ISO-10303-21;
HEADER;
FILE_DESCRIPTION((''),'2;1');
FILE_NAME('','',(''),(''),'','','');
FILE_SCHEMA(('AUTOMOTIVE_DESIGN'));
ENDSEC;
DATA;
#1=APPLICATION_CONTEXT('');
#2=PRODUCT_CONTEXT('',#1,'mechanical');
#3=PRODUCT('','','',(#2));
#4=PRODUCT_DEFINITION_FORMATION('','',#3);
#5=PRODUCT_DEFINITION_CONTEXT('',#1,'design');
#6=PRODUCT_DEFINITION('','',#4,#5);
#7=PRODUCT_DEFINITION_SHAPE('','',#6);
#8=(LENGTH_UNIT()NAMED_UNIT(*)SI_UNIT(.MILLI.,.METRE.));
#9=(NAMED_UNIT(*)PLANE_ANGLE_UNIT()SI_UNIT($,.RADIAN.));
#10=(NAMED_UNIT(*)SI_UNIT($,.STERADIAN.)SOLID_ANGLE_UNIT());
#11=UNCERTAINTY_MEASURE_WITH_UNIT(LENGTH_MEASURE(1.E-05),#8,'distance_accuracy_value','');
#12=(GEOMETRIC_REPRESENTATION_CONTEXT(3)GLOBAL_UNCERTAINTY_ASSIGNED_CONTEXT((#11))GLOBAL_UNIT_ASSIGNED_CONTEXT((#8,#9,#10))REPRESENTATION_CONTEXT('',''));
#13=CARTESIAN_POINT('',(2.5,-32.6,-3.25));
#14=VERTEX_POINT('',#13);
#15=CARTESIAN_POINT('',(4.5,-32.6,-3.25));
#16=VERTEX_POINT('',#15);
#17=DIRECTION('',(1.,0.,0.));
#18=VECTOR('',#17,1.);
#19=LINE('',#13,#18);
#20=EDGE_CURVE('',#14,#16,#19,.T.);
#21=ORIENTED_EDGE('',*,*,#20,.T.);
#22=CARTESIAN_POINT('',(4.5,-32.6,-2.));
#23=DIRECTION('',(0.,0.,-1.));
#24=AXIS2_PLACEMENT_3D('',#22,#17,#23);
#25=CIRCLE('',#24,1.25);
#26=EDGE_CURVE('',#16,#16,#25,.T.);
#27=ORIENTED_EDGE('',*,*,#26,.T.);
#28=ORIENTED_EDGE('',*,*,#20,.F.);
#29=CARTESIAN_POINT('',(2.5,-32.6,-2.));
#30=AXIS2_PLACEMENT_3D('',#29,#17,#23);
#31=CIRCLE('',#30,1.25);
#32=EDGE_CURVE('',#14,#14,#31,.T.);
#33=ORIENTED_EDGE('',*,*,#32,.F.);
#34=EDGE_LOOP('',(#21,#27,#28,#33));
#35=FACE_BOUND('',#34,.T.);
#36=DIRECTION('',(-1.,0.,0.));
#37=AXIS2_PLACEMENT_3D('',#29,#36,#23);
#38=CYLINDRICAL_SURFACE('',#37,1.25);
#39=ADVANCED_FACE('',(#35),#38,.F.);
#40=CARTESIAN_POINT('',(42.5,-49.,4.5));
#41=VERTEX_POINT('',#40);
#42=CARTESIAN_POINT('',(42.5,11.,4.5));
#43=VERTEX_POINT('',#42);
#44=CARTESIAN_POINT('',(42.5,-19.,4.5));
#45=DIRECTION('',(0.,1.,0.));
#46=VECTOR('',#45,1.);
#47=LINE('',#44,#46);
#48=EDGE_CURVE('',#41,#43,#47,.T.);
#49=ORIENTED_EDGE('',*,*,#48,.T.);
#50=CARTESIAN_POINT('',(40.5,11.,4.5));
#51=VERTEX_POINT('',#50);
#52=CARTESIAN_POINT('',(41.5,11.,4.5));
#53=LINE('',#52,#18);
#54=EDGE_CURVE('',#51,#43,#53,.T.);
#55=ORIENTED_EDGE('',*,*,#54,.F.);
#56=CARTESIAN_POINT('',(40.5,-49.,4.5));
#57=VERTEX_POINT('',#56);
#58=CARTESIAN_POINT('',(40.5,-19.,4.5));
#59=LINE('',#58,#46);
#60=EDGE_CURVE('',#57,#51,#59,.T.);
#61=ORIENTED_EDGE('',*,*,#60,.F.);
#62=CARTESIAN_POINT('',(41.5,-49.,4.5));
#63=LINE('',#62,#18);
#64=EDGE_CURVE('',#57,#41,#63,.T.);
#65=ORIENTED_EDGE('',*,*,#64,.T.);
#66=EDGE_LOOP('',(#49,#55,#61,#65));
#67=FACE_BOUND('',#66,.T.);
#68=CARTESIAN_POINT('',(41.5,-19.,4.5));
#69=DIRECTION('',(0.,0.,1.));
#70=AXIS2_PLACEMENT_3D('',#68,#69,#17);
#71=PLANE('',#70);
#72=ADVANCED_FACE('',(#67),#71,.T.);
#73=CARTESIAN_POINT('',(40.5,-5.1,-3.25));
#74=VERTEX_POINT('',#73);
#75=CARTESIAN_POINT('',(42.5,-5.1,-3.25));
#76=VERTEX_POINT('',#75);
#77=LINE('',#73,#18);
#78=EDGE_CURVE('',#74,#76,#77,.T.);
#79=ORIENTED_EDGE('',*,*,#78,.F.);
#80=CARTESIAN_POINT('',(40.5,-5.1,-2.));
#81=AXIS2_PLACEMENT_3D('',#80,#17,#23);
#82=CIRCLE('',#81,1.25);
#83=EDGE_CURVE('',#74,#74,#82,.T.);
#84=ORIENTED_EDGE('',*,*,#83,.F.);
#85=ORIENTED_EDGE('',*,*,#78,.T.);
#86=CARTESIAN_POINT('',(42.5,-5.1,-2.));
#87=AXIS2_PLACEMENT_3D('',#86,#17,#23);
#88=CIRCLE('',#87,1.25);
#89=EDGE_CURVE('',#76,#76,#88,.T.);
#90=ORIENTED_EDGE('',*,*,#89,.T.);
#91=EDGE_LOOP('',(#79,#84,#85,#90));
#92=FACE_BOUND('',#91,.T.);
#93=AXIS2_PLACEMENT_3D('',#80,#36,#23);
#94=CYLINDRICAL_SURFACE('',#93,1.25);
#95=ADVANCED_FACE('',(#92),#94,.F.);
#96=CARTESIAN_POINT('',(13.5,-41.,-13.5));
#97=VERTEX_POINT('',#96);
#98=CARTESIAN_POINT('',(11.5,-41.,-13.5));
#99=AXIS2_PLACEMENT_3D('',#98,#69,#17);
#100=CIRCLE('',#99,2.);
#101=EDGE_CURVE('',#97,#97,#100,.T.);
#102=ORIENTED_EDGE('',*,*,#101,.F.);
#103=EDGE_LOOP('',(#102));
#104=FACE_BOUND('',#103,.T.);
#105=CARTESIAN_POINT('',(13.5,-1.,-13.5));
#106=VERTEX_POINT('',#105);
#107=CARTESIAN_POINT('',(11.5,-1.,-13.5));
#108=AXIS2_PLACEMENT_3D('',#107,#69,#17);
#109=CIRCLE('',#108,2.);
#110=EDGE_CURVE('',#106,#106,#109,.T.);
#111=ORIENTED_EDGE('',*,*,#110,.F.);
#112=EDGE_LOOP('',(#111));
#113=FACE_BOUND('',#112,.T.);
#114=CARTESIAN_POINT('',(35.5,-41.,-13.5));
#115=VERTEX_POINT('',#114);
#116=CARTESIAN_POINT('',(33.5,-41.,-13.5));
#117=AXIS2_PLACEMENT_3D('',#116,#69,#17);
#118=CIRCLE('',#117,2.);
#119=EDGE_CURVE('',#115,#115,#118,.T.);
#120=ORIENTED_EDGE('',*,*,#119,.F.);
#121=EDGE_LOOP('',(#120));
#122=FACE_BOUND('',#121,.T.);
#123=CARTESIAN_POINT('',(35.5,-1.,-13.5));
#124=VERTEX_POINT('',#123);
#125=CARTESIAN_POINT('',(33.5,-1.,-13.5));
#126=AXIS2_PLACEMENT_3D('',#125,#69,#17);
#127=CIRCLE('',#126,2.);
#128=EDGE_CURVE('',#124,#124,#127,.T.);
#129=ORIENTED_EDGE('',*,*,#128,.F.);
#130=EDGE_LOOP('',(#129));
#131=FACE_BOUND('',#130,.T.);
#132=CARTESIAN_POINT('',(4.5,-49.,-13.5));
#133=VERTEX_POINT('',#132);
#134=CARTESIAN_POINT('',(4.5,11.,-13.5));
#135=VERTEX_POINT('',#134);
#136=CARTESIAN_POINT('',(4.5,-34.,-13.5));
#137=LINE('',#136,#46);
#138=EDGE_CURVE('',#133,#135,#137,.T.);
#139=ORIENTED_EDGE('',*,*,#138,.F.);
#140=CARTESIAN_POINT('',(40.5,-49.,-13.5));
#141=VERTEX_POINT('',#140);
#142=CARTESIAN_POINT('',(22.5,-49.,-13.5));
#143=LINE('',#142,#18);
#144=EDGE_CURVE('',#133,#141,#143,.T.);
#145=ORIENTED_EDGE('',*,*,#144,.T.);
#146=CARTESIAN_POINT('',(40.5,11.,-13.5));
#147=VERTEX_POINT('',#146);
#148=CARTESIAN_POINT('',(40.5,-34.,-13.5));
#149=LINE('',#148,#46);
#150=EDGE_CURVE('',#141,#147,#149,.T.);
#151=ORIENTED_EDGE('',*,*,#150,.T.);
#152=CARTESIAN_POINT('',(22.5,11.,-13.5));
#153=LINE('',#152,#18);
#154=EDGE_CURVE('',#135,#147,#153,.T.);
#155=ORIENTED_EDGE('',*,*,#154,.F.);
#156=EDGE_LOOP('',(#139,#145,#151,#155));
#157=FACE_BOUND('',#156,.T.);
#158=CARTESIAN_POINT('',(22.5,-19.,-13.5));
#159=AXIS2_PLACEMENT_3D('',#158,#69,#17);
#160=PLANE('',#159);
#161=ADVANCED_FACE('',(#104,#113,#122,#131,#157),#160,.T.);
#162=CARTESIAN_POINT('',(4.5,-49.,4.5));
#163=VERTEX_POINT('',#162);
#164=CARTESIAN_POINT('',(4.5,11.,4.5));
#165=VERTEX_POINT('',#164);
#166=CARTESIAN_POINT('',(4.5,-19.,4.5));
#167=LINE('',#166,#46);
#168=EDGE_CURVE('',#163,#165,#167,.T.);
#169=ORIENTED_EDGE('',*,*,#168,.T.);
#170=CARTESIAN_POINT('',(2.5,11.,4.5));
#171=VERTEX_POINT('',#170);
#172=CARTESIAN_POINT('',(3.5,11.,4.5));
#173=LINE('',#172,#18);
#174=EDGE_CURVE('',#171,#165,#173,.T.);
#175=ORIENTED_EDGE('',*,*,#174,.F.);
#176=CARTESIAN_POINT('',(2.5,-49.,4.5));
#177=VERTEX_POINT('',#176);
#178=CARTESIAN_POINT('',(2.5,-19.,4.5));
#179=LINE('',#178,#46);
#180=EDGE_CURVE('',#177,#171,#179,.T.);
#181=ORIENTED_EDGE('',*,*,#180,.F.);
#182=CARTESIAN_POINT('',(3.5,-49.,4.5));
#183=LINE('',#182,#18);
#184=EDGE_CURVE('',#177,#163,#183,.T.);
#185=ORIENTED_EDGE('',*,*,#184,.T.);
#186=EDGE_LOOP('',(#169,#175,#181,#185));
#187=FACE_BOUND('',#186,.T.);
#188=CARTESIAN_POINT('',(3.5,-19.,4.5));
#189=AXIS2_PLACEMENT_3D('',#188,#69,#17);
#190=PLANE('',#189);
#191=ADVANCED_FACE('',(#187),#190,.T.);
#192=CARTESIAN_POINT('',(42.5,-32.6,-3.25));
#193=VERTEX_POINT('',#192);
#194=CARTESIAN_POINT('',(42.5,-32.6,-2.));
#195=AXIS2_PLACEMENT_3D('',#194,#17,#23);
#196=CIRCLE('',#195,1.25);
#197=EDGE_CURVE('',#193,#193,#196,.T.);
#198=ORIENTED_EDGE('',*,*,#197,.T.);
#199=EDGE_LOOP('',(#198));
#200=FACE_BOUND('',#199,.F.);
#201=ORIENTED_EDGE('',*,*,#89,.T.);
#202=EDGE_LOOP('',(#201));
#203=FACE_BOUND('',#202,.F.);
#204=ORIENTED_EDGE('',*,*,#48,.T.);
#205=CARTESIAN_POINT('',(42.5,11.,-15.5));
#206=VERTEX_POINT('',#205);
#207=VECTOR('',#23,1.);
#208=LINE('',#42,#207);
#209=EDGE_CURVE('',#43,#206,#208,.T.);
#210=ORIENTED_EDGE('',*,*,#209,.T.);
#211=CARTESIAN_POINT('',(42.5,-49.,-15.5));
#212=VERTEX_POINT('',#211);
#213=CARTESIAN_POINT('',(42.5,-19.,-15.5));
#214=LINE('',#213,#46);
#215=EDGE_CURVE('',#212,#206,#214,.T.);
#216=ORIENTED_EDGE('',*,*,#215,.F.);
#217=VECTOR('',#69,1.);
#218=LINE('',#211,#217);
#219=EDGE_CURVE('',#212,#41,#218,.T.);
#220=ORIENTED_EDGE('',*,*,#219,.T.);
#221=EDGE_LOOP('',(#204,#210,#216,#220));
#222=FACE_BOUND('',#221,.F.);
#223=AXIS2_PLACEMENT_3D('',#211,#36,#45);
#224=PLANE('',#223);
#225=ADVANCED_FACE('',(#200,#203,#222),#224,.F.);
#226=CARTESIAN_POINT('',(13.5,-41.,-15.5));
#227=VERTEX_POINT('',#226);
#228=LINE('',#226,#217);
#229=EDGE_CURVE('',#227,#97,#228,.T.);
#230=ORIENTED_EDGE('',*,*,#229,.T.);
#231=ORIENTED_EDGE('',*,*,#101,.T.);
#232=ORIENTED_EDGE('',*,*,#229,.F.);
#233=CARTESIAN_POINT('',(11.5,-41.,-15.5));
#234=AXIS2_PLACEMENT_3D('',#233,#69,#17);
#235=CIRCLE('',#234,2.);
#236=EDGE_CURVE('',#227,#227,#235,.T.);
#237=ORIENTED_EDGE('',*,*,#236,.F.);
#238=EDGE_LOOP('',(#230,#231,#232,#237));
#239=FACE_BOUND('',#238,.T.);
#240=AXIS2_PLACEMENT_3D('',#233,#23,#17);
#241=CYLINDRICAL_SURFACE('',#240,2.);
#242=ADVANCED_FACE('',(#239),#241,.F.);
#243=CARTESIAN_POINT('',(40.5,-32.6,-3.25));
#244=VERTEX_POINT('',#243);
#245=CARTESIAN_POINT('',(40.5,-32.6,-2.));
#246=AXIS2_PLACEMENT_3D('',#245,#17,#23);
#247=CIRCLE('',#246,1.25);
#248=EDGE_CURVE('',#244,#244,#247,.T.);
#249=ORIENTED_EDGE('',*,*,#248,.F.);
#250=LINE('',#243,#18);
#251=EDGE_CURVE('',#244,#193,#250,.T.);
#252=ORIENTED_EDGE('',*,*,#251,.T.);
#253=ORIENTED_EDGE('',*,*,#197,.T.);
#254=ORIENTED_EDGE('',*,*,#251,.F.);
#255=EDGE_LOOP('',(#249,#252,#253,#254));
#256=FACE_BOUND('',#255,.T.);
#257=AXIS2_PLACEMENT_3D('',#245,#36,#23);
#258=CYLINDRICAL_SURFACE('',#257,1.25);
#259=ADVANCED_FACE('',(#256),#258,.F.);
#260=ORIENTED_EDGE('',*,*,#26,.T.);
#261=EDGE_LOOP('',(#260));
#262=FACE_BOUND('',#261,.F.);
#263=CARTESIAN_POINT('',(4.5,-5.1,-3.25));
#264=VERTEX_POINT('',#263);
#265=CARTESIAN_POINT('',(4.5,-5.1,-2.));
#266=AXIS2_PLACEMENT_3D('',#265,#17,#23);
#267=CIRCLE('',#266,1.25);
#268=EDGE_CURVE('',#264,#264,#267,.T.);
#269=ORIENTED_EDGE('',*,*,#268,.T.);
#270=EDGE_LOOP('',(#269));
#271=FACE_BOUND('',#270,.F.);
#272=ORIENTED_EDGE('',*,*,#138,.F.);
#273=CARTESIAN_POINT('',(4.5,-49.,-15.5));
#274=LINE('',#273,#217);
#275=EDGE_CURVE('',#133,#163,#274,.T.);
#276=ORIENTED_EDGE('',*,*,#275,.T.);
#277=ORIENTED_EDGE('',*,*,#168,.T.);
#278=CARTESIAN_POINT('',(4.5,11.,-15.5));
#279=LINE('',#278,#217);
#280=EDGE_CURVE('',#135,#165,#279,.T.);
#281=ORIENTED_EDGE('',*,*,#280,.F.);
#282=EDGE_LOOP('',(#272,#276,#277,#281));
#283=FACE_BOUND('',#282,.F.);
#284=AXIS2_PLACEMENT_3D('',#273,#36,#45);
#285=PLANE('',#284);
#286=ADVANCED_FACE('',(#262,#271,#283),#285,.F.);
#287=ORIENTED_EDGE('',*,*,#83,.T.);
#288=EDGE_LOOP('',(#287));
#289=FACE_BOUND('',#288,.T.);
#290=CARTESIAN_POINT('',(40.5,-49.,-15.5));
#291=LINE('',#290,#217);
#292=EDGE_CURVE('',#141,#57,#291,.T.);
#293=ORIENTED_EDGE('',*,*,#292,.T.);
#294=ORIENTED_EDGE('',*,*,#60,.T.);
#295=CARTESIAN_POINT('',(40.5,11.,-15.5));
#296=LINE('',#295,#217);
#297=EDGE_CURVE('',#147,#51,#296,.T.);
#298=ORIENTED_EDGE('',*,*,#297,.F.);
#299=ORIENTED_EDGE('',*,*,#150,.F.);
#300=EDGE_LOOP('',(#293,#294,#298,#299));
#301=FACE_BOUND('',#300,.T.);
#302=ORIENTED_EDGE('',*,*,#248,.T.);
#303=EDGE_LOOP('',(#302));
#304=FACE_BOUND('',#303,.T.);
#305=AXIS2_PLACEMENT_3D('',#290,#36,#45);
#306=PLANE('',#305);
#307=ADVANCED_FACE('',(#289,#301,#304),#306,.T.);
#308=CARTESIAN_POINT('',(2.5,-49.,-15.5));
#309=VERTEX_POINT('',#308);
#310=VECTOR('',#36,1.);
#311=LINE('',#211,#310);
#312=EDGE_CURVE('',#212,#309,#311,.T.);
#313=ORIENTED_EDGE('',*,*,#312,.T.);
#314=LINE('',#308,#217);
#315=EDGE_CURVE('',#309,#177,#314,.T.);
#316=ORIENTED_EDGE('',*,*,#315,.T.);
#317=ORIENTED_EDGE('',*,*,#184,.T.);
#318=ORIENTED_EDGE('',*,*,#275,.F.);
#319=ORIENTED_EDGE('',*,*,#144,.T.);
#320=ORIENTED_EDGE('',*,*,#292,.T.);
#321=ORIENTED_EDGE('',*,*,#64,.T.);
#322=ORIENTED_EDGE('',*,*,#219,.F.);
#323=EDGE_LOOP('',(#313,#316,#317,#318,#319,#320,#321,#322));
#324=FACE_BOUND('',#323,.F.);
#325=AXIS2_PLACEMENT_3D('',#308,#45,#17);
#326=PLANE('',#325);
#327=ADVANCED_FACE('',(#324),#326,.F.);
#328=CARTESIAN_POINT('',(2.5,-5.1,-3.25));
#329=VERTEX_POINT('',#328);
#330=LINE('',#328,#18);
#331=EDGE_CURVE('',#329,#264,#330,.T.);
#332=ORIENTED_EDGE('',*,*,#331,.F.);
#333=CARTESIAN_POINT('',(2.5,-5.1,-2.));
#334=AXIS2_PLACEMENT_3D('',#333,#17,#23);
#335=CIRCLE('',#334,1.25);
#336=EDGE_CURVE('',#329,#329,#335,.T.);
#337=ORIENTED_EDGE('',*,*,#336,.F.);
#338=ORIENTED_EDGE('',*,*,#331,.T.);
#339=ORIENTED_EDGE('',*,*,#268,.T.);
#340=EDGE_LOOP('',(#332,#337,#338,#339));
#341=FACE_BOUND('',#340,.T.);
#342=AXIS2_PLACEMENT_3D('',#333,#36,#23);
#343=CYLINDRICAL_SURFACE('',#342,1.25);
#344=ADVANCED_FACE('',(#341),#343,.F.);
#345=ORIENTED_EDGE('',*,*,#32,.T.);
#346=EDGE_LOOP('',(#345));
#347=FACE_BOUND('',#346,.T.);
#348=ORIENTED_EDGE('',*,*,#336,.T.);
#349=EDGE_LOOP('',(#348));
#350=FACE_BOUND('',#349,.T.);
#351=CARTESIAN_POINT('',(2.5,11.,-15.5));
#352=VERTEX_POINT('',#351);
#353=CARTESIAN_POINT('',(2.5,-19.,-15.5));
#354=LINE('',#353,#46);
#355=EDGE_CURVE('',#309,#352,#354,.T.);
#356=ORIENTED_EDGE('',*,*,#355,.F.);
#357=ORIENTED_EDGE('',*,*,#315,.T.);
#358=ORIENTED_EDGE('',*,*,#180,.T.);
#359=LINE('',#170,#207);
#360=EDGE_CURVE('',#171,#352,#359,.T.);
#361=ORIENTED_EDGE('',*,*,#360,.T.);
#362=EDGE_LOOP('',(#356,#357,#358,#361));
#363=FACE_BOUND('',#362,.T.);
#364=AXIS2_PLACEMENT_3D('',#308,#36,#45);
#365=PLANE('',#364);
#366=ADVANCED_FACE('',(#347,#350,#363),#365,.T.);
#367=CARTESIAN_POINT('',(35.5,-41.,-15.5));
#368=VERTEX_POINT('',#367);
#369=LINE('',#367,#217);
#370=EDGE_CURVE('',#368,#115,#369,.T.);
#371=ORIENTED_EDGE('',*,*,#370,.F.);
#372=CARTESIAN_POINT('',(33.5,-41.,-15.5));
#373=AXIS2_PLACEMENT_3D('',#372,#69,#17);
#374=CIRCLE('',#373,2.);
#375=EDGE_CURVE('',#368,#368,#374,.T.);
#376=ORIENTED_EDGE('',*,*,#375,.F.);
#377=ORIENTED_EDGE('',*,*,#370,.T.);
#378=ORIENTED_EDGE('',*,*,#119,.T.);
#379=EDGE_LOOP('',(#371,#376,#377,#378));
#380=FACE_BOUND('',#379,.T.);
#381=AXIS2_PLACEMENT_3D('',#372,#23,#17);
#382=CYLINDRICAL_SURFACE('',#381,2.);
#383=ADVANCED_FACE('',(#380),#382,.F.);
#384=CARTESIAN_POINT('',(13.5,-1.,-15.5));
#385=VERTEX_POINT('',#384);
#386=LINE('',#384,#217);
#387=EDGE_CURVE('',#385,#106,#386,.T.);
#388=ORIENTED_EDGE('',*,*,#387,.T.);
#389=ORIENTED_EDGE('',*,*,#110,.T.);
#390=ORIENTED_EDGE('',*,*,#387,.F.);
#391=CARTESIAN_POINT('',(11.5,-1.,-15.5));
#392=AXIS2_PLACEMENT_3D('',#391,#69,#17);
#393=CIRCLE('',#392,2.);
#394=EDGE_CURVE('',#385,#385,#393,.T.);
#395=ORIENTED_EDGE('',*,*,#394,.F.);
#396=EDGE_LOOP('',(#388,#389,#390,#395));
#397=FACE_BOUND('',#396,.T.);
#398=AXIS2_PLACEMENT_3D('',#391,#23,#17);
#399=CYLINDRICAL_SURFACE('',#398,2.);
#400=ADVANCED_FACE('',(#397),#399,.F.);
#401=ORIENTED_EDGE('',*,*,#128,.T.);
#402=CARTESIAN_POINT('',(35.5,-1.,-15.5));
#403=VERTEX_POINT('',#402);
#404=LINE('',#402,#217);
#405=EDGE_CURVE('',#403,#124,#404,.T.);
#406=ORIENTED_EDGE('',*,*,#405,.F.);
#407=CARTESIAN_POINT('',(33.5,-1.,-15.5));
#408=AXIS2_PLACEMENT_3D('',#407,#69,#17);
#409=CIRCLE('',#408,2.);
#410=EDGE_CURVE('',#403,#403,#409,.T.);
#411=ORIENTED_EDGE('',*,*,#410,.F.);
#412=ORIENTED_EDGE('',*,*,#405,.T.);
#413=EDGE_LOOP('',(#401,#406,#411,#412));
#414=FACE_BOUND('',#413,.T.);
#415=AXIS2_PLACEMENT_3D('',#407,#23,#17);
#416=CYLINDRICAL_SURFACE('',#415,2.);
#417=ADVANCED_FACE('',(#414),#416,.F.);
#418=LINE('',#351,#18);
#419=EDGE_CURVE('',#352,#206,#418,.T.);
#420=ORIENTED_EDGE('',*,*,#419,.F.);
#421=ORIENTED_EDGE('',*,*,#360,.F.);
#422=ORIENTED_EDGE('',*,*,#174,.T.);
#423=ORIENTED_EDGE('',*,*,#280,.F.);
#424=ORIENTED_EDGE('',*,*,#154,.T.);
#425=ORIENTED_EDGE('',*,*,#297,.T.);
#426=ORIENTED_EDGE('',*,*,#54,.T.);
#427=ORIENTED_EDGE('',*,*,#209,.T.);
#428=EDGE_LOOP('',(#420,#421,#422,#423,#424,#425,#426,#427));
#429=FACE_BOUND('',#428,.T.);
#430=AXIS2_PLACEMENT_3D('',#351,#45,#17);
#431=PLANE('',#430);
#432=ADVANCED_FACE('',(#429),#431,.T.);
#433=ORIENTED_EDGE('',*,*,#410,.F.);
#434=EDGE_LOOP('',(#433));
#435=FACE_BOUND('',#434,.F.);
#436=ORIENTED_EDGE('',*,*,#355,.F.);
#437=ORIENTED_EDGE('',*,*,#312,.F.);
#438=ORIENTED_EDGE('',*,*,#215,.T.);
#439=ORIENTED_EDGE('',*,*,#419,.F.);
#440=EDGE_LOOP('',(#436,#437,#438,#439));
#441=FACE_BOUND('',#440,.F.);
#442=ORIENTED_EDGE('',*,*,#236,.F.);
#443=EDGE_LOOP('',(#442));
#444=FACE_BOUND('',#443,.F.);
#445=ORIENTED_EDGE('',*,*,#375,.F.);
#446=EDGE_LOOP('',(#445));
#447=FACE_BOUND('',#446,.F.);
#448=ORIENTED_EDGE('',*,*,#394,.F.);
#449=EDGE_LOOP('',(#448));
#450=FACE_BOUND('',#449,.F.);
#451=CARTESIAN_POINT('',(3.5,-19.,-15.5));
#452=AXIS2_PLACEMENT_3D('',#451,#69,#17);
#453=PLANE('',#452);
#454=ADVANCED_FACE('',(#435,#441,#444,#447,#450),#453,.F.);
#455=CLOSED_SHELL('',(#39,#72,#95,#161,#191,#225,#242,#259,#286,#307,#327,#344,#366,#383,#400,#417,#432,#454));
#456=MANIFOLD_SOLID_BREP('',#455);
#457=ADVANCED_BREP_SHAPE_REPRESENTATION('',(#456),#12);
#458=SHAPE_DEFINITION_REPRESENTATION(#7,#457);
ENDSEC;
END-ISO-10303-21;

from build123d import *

# Parameters (mm, degrees)
CYLINDER_R           = 1.25
CYLINDER_DEPTH       = 2
CYLINDER_PITCH_ANGLE = 90
ARRAY_X_COUNT        = 2
ARRAY_X_PITCH        = 38
ARRAY_Y_COUNT        = 2
ARRAY_Y_PITCH        = 27.5
CYLINDER001_R        = 2
CYLINDER001_DEPTH    = 2
ARRAY001_X_COUNT     = 2
ARRAY001_X_PITCH     = 22
ARRAY001_Y_COUNT     = 2
ARRAY001_Y_PITCH     = 40
BOX001_W             = 2
BOX001_H             = 60
BOX001_DEPTH         = 20
BOX_W                = 40
BOX_H                = 60
BOX_DEPTH            = 2
BOX002_W             = 2
BOX002_H             = 60
BOX002_DEPTH         = 20


with BuildPart() as array:
    # Cylinder → Cylinder (new body)
    with BuildSketch(Plane.XY):
        Circle(CYLINDER_R)
    extrude(amount=CYLINDER_DEPTH)


with BuildPart() as array_1:
    # Cylinder pitch: moved
    add(array.part.rotate(Axis((0, 0, 0), (0, 1, 0)), CYLINDER_PITCH_ANGLE))


with BuildPart() as array_2:
    # Cylinder placement: moved
    add(array_1.part.moved(Location((0, 16.4, 13.5))))

    # Array X: Array ×2


with BuildPart() as array_3:
    add(array_2.part)
    with Locations(*[(i * ARRAY_X_PITCH, 0, 0) for i in range(1, ARRAY_X_COUNT)]):
        add(array_2.part)

    # Array Y: Array ×2


with BuildPart() as array_4:
    add(array_3.part)
    with Locations(*[(0, i * ARRAY_Y_PITCH, 0) for i in range(1, ARRAY_Y_COUNT)]):
        add(array_3.part)


with BuildPart() as array_5:
    # Array placement: moved
    add(array_4.part.moved(Location((2, 40, 0))))


with BuildPart() as array001:
    # Cylinder001 → Cylinder001 (new body)
    with BuildSketch(Plane(origin=(11, 48, 0), x_dir=(1, 0, 0), z_dir=(0, 0, 1))):
        Circle(CYLINDER001_R)
    extrude(amount=CYLINDER001_DEPTH)

    # Array001 X: Array001 ×2


with BuildPart() as array001_1:
    add(array001.part)
    with Locations(*[(i * ARRAY001_X_PITCH, 0, 0) for i in range(1, ARRAY001_X_COUNT)]):
        add(array001.part)

    # Array001 Y: Array001 ×2


with BuildPart() as array001_2:
    add(array001_1.part)
    with Locations(*[(0, i * ARRAY001_Y_PITCH, 0) for i in range(1, ARRAY001_Y_COUNT)]):
        add(array001_1.part)


with BuildPart() as cubo001:
    # Box001 → Box001 (new body)
    with BuildSketch(Plane.XY):
        with Locations((1, 30)):
            Rectangle(BOX001_W, BOX001_H)
    extrude(amount=BOX001_DEPTH)


with BuildPart() as cubo:
    # Box → Box (new body)
    with BuildSketch(Plane.XY):
        with Locations((20, 30)):
            Rectangle(BOX_W, BOX_H)
    extrude(amount=BOX_DEPTH)


with BuildPart() as sujeccion_inferior_brazo:
    # Box002 → Box002 (new body)
    with BuildSketch(Plane(origin=(38, 0, 0), x_dir=(1, 0, 0), z_dir=(0, 0, 1))):
        with Locations((1, 30)):
            Rectangle(BOX002_W, BOX002_H)
    extrude(amount=BOX002_DEPTH)

    # Fusion: union Cubo001, Cubo
    add(cubo001.part)
    add(cubo.part)

    # Cut: cut Array
    add(array_5.part, mode=Mode.SUBTRACT)


with BuildPart() as sujeccion_inferior_brazo_1:
    # Cut placement: moved
    add(sujeccion_inferior_brazo.part.moved(Location((2, 40, 0))))

    # Cut001: cut Array001
    add(array001_2.part, mode=Mode.SUBTRACT)

    # Cut002: cut Array
    add(array_5.part, mode=Mode.SUBTRACT)


with BuildPart() as sujeccion_inferior_brazo_2:
    # Cut002 placement: moved
    add(sujeccion_inferior_brazo_1.part.moved(Location((0.5, -89, -15.5))))


solid = sujeccion_inferior_brazo_2.part
